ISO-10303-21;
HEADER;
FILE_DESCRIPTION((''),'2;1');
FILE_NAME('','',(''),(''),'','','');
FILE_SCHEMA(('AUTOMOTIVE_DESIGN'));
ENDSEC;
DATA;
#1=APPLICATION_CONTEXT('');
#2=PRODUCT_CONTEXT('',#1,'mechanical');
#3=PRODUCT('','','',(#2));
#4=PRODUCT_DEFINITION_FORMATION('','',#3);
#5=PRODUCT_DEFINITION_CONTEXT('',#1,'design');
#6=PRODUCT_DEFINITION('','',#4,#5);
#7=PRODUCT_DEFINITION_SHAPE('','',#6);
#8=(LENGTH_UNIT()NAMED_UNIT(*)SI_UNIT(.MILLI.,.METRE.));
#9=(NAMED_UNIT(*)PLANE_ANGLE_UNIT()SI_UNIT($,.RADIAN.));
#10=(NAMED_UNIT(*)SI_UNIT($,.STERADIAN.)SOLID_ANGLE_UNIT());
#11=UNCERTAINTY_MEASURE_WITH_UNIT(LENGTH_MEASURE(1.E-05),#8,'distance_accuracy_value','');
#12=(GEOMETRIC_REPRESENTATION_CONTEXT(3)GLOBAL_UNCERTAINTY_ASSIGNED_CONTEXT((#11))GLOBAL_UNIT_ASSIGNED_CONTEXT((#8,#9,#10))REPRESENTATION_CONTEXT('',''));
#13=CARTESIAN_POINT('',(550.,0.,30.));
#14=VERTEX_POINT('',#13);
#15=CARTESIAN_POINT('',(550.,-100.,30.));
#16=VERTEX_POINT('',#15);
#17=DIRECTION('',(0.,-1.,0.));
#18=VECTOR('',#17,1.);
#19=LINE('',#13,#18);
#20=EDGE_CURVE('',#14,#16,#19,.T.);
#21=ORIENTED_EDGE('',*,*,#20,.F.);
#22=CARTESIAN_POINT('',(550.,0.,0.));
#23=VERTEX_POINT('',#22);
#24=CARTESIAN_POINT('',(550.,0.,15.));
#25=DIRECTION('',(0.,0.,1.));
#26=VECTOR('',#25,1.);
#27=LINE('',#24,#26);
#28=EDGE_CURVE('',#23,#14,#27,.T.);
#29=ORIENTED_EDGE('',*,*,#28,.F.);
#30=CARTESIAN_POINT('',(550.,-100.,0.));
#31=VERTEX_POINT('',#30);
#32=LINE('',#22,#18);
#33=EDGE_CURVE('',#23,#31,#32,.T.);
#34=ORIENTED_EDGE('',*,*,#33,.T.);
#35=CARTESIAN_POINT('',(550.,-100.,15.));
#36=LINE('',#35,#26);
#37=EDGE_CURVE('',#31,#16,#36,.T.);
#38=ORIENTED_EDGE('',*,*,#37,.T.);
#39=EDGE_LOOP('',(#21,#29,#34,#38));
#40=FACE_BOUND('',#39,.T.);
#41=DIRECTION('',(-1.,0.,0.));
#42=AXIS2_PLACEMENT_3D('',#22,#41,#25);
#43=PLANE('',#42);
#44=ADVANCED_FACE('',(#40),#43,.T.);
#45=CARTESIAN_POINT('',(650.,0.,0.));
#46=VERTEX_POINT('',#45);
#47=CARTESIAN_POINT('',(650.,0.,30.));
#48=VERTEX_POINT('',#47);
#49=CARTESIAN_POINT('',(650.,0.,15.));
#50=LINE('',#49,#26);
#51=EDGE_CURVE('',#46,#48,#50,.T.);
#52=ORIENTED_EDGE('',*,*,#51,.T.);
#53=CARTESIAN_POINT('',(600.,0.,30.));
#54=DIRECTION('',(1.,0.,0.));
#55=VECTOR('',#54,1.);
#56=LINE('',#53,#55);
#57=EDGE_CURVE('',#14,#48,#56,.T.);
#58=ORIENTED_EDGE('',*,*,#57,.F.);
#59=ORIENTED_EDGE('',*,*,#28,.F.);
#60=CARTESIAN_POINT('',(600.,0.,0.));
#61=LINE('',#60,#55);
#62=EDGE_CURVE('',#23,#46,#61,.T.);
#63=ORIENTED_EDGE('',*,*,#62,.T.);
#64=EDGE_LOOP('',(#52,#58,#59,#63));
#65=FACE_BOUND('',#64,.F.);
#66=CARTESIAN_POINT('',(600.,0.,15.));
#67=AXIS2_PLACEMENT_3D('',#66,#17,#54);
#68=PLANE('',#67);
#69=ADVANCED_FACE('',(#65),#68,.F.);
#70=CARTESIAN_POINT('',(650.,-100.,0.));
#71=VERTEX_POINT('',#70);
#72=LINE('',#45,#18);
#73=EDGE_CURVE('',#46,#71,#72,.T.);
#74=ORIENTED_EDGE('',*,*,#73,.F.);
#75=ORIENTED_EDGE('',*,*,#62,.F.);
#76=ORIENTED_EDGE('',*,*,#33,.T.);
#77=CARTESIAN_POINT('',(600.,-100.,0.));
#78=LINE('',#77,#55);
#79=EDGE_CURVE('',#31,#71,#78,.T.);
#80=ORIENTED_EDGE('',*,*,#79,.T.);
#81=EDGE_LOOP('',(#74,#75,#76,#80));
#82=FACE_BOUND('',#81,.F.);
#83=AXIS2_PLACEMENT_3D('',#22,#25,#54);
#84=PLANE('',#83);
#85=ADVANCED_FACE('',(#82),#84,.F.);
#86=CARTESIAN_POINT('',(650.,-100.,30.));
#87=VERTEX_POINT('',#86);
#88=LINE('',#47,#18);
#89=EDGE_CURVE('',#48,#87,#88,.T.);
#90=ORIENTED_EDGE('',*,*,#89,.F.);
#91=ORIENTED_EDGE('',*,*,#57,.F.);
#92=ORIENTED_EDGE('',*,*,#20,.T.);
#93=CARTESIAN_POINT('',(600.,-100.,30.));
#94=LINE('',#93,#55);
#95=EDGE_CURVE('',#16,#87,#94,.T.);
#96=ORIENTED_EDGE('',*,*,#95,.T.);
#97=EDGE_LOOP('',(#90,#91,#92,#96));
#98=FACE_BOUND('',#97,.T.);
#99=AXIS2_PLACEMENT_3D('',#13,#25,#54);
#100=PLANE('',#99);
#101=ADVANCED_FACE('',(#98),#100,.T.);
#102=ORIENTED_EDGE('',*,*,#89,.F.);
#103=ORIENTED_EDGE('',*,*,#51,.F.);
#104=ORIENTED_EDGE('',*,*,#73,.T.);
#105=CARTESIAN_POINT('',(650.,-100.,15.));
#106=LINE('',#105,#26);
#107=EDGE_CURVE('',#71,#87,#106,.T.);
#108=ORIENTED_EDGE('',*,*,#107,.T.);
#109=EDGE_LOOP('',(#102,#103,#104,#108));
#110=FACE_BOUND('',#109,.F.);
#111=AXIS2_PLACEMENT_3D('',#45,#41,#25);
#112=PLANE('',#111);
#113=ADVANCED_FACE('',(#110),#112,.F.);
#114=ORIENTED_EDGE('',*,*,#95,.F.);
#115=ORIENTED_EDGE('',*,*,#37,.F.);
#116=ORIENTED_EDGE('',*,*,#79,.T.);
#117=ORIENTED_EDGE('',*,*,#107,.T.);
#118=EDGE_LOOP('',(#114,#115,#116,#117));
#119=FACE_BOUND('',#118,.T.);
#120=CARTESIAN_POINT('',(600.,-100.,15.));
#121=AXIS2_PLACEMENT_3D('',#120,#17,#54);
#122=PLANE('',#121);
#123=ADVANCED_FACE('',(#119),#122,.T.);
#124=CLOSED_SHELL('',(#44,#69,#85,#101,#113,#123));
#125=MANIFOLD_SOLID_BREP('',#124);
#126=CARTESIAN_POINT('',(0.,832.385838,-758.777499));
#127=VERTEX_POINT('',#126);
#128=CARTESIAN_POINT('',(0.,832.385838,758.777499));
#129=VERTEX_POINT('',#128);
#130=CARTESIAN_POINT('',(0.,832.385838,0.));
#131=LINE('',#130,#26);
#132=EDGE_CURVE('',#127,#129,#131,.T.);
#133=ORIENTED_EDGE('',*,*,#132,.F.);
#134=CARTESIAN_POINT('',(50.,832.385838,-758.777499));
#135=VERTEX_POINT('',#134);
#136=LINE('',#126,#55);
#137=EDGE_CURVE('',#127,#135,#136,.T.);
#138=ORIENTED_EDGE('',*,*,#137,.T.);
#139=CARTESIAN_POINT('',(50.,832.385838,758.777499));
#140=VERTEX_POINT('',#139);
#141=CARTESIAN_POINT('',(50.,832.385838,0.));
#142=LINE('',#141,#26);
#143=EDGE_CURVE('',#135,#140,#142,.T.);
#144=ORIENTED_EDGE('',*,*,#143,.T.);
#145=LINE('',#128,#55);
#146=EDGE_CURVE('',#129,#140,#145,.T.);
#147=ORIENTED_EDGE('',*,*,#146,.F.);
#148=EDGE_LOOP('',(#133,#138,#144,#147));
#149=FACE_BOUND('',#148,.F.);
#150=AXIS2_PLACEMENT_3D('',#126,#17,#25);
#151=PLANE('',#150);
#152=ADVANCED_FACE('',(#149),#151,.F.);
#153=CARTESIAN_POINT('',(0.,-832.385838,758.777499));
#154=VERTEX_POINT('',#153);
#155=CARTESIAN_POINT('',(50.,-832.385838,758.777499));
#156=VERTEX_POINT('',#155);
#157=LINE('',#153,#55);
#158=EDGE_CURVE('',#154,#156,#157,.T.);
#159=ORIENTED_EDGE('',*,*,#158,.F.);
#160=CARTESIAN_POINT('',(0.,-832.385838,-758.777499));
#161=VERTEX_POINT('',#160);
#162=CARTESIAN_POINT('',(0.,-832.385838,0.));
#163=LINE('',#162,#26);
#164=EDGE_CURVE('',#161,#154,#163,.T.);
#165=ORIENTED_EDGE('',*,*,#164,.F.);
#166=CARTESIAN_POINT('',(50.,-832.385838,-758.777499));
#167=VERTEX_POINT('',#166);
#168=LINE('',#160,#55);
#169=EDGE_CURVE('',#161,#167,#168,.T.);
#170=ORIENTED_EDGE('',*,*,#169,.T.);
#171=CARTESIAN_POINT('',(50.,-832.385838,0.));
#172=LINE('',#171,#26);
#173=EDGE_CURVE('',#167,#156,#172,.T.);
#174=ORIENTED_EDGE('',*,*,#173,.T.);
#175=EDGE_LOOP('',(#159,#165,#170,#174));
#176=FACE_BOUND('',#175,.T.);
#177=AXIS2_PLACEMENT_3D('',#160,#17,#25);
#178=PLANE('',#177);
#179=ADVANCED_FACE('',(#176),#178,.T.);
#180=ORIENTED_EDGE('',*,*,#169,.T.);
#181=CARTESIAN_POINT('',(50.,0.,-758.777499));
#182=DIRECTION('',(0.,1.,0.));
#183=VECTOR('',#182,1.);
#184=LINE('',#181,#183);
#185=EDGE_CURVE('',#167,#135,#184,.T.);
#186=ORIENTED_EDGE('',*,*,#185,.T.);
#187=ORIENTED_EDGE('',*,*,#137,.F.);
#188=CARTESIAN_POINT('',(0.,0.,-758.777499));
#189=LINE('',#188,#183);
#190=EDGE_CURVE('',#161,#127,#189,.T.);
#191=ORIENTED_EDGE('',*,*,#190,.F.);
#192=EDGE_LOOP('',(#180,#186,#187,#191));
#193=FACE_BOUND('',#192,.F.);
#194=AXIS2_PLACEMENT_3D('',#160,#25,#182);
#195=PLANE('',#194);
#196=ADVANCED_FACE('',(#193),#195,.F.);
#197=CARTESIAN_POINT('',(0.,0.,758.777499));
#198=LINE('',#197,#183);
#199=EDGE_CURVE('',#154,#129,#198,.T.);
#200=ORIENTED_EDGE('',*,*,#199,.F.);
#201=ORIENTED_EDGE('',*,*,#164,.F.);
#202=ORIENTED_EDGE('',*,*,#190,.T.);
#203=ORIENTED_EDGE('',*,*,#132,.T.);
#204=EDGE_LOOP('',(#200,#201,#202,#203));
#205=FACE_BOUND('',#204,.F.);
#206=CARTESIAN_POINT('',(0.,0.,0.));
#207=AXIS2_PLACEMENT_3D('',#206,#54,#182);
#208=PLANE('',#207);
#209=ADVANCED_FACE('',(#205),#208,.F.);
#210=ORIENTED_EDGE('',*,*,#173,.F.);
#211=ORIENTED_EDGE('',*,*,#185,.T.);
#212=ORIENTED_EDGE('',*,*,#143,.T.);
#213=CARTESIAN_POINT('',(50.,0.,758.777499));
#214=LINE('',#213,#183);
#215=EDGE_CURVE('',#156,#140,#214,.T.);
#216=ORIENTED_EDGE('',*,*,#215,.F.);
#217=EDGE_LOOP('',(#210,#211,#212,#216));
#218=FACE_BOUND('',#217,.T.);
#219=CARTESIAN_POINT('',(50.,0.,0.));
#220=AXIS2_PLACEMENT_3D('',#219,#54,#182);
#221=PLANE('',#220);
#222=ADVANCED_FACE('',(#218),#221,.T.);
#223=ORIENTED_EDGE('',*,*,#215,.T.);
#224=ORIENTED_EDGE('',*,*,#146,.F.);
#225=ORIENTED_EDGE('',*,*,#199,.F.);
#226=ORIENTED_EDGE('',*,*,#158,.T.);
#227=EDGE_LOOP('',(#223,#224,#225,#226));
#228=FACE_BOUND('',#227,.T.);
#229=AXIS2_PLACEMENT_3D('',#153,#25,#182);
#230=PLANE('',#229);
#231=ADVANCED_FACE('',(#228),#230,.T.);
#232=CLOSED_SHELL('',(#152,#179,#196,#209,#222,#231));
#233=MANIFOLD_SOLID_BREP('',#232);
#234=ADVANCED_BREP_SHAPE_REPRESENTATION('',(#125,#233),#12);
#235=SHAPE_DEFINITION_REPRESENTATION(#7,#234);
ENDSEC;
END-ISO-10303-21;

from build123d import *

# Parameters (mm, degrees)
F0_W     = 1664.771676
F0_H     = 1517.554998
F1_DEPTH = 50
F2_W     = 100
F2_H     = 30
F3_DEPTH = 100


with BuildPart() as f1:
    # F0 (on Right) → F1 (new body)
    with BuildSketch(Plane.YZ):
        Rectangle(F0_W, F0_H)
    extrude(amount=F1_DEPTH)


with BuildPart() as f3:
    # F2 (on Front) → F3 (new body)
    with BuildSketch(Plane.XZ):
        with Locations((600, 15)):
            Rectangle(F2_W, F2_H)
    extrude(amount=F3_DEPTH)


solid = Compound([f1.part, f3.part])
